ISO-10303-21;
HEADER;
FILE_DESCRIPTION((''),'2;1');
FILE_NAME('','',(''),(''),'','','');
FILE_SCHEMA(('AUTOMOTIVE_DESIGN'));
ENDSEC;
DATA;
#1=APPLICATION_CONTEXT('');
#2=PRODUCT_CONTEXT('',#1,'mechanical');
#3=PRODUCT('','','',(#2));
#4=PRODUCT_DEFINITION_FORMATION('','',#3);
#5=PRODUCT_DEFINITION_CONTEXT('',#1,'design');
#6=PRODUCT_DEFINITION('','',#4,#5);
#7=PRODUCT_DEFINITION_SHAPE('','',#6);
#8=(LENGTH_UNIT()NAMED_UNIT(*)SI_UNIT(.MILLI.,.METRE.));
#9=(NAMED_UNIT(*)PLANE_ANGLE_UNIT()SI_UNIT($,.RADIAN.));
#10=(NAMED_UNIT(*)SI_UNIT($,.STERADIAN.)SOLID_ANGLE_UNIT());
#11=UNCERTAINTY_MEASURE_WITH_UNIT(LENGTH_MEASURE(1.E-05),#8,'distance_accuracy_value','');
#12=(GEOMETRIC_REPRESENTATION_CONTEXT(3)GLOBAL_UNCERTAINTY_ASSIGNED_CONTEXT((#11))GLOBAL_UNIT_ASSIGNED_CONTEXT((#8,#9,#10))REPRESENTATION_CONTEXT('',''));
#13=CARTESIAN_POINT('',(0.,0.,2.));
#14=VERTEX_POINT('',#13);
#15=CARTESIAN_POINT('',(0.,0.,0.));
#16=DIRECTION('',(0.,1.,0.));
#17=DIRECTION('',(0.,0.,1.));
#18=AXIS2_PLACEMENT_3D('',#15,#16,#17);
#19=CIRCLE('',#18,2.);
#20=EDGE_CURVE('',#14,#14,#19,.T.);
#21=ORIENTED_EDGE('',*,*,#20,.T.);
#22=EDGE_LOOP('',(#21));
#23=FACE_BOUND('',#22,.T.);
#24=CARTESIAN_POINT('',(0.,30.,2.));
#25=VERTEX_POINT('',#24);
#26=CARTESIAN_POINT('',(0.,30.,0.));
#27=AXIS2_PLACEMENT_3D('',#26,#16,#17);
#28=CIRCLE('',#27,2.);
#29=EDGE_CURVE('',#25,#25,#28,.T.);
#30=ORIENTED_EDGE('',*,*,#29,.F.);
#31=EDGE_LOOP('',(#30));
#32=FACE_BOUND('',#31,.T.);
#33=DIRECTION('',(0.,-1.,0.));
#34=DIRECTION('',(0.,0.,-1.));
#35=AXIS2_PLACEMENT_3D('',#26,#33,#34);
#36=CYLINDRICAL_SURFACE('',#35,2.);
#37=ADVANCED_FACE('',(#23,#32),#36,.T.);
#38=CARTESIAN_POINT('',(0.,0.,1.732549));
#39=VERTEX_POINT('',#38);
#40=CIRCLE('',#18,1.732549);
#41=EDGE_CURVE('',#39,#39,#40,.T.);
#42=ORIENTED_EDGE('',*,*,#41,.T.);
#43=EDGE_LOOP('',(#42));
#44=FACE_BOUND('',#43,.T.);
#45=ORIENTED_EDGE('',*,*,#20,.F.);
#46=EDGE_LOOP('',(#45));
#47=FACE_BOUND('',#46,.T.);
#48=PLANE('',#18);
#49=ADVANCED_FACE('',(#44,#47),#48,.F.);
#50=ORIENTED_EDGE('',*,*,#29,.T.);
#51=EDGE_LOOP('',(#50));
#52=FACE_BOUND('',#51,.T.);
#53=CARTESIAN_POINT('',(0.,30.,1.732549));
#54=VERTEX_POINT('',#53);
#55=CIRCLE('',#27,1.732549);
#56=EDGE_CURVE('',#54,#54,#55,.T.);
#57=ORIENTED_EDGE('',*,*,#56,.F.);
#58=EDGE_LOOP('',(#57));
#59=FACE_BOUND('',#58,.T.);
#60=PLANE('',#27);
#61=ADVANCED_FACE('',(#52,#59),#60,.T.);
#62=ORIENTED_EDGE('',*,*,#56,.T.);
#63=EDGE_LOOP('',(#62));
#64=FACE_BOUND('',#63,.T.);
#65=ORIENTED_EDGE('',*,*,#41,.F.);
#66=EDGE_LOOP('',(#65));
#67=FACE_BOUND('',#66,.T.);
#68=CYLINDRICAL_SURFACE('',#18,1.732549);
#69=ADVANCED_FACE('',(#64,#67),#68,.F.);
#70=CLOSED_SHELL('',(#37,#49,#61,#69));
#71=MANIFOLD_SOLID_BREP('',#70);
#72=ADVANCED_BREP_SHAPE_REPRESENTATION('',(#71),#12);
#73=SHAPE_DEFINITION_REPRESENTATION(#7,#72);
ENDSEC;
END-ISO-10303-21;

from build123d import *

# Parameters (mm, degrees)
SKETCH1_R           = 2
BOSS_EXTRUDE1_DEPTH = 30
SKETCH4_R           = 1.732548954
CUT_EXTRUDE1_DEPTH  = 30


with BuildPart() as part:
    # Sketch1 → Boss-Extrude1 (new body)
    with BuildSketch(Plane(origin=(0, 0, 0), x_dir=(1, 0, 0), z_dir=(0, 1, 0))):
        with Locations(Location((0, 0, 0), (0, 0, 270))):
            Circle(SKETCH1_R)
    extrude(amount=BOSS_EXTRUDE1_DEPTH)

    # Sketch4 → Cut-Extrude1 (cut)
    with BuildSketch(Plane(origin=(0, 30, 0), x_dir=(1, 0, 0), z_dir=(0, 1, 0))):
        with Locations(Location((0, 0, 0), (0, 0, 270))):
            Circle(SKETCH4_R)
    extrude(amount=-CUT_EXTRUDE1_DEPTH, mode=Mode.SUBTRACT)


solid = part.part
